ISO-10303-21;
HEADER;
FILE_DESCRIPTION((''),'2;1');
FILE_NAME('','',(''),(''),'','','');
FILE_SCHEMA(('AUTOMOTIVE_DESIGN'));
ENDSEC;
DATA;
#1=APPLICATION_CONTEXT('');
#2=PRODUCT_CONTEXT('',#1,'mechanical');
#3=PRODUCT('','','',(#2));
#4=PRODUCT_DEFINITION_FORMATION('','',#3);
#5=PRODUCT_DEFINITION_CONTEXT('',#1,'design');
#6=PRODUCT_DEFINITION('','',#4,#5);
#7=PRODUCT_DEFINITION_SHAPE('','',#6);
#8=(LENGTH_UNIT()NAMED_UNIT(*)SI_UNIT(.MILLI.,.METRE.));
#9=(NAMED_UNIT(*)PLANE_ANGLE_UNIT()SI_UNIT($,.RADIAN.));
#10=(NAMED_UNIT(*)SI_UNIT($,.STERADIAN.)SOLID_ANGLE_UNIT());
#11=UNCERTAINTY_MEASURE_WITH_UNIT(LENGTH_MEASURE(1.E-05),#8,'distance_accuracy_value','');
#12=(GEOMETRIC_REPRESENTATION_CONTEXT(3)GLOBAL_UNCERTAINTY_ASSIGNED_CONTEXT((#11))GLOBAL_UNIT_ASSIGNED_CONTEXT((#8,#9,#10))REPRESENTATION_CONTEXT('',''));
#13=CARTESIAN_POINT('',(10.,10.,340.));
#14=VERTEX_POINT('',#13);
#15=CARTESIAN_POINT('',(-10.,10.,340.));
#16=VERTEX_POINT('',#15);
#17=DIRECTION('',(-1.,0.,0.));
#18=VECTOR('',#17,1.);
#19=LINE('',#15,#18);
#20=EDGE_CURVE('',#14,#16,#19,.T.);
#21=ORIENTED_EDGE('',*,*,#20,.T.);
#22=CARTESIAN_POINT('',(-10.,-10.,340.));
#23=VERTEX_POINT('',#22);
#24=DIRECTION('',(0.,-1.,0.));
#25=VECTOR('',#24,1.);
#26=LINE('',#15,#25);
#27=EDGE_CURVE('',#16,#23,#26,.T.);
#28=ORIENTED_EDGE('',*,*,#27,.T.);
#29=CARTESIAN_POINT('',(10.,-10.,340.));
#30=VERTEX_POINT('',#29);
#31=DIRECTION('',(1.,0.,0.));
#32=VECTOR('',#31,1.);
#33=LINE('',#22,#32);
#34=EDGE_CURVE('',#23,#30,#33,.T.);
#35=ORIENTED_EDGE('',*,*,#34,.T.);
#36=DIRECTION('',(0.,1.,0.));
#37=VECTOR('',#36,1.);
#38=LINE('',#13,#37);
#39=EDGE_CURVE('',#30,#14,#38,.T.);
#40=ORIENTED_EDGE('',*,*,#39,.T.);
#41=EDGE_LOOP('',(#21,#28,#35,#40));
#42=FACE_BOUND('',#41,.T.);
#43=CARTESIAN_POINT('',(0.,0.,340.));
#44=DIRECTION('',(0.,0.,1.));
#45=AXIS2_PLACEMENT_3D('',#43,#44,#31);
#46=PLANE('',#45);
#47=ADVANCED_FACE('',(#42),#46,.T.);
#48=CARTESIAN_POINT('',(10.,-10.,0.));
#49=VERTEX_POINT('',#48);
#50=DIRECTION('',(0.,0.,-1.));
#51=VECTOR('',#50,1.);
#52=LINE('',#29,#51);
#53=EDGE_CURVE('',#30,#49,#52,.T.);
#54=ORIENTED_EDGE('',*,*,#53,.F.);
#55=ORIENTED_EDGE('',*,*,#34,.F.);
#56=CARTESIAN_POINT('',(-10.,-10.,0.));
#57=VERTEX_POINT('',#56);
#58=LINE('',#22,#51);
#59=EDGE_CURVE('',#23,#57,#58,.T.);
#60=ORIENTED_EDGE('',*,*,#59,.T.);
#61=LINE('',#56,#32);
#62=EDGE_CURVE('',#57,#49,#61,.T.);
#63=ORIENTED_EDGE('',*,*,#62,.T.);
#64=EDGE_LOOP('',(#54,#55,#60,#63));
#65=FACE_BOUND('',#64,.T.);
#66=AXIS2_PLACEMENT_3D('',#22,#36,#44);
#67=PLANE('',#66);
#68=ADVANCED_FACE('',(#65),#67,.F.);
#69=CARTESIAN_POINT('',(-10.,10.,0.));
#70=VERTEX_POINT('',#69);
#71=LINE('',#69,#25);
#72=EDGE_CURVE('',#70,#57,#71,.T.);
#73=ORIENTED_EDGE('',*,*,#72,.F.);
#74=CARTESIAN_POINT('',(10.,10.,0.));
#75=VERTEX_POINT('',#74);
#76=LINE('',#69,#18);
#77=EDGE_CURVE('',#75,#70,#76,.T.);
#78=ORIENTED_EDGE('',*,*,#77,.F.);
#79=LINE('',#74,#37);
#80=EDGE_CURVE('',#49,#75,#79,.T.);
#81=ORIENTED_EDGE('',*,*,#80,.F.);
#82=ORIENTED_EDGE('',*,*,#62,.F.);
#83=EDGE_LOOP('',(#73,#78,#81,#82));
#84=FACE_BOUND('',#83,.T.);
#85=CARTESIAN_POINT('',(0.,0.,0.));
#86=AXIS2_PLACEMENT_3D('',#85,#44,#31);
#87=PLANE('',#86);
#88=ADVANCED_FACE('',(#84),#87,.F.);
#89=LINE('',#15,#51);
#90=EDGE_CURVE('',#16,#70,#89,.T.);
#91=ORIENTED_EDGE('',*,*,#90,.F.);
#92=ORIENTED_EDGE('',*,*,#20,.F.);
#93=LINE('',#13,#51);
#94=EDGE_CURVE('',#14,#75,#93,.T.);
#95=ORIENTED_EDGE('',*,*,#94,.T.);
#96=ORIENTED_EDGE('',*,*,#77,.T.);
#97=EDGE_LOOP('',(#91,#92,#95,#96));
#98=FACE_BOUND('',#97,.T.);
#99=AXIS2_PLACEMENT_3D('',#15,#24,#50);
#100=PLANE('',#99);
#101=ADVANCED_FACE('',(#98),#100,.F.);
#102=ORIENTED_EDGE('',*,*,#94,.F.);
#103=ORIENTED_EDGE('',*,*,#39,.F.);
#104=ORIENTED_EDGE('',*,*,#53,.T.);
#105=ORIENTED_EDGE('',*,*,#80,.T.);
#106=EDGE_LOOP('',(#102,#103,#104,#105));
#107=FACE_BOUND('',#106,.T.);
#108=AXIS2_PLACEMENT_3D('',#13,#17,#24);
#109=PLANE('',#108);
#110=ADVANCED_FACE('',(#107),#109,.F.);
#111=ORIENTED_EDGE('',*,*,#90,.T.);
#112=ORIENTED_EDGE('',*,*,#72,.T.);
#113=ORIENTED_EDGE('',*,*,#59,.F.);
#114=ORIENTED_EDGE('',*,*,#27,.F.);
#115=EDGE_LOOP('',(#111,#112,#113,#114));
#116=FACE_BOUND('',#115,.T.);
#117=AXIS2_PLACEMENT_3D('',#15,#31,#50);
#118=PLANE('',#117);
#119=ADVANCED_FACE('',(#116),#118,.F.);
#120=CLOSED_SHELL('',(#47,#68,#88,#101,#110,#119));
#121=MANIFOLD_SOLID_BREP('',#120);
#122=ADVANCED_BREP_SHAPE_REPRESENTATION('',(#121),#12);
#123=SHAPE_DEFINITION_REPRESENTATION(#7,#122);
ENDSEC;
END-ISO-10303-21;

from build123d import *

# Parameters (mm, degrees)
SKETCH_1_W      = 20
SKETCH_1_H      = 20
EXTRUDE_1_DEPTH = 340


with BuildPart() as part:
    # 草圖1 → 填料-伸長1 (new body)
    with BuildSketch(Plane.XY):
        Rectangle(SKETCH_1_W, SKETCH_1_H)
    extrude(amount=EXTRUDE_1_DEPTH)


solid = part.part
